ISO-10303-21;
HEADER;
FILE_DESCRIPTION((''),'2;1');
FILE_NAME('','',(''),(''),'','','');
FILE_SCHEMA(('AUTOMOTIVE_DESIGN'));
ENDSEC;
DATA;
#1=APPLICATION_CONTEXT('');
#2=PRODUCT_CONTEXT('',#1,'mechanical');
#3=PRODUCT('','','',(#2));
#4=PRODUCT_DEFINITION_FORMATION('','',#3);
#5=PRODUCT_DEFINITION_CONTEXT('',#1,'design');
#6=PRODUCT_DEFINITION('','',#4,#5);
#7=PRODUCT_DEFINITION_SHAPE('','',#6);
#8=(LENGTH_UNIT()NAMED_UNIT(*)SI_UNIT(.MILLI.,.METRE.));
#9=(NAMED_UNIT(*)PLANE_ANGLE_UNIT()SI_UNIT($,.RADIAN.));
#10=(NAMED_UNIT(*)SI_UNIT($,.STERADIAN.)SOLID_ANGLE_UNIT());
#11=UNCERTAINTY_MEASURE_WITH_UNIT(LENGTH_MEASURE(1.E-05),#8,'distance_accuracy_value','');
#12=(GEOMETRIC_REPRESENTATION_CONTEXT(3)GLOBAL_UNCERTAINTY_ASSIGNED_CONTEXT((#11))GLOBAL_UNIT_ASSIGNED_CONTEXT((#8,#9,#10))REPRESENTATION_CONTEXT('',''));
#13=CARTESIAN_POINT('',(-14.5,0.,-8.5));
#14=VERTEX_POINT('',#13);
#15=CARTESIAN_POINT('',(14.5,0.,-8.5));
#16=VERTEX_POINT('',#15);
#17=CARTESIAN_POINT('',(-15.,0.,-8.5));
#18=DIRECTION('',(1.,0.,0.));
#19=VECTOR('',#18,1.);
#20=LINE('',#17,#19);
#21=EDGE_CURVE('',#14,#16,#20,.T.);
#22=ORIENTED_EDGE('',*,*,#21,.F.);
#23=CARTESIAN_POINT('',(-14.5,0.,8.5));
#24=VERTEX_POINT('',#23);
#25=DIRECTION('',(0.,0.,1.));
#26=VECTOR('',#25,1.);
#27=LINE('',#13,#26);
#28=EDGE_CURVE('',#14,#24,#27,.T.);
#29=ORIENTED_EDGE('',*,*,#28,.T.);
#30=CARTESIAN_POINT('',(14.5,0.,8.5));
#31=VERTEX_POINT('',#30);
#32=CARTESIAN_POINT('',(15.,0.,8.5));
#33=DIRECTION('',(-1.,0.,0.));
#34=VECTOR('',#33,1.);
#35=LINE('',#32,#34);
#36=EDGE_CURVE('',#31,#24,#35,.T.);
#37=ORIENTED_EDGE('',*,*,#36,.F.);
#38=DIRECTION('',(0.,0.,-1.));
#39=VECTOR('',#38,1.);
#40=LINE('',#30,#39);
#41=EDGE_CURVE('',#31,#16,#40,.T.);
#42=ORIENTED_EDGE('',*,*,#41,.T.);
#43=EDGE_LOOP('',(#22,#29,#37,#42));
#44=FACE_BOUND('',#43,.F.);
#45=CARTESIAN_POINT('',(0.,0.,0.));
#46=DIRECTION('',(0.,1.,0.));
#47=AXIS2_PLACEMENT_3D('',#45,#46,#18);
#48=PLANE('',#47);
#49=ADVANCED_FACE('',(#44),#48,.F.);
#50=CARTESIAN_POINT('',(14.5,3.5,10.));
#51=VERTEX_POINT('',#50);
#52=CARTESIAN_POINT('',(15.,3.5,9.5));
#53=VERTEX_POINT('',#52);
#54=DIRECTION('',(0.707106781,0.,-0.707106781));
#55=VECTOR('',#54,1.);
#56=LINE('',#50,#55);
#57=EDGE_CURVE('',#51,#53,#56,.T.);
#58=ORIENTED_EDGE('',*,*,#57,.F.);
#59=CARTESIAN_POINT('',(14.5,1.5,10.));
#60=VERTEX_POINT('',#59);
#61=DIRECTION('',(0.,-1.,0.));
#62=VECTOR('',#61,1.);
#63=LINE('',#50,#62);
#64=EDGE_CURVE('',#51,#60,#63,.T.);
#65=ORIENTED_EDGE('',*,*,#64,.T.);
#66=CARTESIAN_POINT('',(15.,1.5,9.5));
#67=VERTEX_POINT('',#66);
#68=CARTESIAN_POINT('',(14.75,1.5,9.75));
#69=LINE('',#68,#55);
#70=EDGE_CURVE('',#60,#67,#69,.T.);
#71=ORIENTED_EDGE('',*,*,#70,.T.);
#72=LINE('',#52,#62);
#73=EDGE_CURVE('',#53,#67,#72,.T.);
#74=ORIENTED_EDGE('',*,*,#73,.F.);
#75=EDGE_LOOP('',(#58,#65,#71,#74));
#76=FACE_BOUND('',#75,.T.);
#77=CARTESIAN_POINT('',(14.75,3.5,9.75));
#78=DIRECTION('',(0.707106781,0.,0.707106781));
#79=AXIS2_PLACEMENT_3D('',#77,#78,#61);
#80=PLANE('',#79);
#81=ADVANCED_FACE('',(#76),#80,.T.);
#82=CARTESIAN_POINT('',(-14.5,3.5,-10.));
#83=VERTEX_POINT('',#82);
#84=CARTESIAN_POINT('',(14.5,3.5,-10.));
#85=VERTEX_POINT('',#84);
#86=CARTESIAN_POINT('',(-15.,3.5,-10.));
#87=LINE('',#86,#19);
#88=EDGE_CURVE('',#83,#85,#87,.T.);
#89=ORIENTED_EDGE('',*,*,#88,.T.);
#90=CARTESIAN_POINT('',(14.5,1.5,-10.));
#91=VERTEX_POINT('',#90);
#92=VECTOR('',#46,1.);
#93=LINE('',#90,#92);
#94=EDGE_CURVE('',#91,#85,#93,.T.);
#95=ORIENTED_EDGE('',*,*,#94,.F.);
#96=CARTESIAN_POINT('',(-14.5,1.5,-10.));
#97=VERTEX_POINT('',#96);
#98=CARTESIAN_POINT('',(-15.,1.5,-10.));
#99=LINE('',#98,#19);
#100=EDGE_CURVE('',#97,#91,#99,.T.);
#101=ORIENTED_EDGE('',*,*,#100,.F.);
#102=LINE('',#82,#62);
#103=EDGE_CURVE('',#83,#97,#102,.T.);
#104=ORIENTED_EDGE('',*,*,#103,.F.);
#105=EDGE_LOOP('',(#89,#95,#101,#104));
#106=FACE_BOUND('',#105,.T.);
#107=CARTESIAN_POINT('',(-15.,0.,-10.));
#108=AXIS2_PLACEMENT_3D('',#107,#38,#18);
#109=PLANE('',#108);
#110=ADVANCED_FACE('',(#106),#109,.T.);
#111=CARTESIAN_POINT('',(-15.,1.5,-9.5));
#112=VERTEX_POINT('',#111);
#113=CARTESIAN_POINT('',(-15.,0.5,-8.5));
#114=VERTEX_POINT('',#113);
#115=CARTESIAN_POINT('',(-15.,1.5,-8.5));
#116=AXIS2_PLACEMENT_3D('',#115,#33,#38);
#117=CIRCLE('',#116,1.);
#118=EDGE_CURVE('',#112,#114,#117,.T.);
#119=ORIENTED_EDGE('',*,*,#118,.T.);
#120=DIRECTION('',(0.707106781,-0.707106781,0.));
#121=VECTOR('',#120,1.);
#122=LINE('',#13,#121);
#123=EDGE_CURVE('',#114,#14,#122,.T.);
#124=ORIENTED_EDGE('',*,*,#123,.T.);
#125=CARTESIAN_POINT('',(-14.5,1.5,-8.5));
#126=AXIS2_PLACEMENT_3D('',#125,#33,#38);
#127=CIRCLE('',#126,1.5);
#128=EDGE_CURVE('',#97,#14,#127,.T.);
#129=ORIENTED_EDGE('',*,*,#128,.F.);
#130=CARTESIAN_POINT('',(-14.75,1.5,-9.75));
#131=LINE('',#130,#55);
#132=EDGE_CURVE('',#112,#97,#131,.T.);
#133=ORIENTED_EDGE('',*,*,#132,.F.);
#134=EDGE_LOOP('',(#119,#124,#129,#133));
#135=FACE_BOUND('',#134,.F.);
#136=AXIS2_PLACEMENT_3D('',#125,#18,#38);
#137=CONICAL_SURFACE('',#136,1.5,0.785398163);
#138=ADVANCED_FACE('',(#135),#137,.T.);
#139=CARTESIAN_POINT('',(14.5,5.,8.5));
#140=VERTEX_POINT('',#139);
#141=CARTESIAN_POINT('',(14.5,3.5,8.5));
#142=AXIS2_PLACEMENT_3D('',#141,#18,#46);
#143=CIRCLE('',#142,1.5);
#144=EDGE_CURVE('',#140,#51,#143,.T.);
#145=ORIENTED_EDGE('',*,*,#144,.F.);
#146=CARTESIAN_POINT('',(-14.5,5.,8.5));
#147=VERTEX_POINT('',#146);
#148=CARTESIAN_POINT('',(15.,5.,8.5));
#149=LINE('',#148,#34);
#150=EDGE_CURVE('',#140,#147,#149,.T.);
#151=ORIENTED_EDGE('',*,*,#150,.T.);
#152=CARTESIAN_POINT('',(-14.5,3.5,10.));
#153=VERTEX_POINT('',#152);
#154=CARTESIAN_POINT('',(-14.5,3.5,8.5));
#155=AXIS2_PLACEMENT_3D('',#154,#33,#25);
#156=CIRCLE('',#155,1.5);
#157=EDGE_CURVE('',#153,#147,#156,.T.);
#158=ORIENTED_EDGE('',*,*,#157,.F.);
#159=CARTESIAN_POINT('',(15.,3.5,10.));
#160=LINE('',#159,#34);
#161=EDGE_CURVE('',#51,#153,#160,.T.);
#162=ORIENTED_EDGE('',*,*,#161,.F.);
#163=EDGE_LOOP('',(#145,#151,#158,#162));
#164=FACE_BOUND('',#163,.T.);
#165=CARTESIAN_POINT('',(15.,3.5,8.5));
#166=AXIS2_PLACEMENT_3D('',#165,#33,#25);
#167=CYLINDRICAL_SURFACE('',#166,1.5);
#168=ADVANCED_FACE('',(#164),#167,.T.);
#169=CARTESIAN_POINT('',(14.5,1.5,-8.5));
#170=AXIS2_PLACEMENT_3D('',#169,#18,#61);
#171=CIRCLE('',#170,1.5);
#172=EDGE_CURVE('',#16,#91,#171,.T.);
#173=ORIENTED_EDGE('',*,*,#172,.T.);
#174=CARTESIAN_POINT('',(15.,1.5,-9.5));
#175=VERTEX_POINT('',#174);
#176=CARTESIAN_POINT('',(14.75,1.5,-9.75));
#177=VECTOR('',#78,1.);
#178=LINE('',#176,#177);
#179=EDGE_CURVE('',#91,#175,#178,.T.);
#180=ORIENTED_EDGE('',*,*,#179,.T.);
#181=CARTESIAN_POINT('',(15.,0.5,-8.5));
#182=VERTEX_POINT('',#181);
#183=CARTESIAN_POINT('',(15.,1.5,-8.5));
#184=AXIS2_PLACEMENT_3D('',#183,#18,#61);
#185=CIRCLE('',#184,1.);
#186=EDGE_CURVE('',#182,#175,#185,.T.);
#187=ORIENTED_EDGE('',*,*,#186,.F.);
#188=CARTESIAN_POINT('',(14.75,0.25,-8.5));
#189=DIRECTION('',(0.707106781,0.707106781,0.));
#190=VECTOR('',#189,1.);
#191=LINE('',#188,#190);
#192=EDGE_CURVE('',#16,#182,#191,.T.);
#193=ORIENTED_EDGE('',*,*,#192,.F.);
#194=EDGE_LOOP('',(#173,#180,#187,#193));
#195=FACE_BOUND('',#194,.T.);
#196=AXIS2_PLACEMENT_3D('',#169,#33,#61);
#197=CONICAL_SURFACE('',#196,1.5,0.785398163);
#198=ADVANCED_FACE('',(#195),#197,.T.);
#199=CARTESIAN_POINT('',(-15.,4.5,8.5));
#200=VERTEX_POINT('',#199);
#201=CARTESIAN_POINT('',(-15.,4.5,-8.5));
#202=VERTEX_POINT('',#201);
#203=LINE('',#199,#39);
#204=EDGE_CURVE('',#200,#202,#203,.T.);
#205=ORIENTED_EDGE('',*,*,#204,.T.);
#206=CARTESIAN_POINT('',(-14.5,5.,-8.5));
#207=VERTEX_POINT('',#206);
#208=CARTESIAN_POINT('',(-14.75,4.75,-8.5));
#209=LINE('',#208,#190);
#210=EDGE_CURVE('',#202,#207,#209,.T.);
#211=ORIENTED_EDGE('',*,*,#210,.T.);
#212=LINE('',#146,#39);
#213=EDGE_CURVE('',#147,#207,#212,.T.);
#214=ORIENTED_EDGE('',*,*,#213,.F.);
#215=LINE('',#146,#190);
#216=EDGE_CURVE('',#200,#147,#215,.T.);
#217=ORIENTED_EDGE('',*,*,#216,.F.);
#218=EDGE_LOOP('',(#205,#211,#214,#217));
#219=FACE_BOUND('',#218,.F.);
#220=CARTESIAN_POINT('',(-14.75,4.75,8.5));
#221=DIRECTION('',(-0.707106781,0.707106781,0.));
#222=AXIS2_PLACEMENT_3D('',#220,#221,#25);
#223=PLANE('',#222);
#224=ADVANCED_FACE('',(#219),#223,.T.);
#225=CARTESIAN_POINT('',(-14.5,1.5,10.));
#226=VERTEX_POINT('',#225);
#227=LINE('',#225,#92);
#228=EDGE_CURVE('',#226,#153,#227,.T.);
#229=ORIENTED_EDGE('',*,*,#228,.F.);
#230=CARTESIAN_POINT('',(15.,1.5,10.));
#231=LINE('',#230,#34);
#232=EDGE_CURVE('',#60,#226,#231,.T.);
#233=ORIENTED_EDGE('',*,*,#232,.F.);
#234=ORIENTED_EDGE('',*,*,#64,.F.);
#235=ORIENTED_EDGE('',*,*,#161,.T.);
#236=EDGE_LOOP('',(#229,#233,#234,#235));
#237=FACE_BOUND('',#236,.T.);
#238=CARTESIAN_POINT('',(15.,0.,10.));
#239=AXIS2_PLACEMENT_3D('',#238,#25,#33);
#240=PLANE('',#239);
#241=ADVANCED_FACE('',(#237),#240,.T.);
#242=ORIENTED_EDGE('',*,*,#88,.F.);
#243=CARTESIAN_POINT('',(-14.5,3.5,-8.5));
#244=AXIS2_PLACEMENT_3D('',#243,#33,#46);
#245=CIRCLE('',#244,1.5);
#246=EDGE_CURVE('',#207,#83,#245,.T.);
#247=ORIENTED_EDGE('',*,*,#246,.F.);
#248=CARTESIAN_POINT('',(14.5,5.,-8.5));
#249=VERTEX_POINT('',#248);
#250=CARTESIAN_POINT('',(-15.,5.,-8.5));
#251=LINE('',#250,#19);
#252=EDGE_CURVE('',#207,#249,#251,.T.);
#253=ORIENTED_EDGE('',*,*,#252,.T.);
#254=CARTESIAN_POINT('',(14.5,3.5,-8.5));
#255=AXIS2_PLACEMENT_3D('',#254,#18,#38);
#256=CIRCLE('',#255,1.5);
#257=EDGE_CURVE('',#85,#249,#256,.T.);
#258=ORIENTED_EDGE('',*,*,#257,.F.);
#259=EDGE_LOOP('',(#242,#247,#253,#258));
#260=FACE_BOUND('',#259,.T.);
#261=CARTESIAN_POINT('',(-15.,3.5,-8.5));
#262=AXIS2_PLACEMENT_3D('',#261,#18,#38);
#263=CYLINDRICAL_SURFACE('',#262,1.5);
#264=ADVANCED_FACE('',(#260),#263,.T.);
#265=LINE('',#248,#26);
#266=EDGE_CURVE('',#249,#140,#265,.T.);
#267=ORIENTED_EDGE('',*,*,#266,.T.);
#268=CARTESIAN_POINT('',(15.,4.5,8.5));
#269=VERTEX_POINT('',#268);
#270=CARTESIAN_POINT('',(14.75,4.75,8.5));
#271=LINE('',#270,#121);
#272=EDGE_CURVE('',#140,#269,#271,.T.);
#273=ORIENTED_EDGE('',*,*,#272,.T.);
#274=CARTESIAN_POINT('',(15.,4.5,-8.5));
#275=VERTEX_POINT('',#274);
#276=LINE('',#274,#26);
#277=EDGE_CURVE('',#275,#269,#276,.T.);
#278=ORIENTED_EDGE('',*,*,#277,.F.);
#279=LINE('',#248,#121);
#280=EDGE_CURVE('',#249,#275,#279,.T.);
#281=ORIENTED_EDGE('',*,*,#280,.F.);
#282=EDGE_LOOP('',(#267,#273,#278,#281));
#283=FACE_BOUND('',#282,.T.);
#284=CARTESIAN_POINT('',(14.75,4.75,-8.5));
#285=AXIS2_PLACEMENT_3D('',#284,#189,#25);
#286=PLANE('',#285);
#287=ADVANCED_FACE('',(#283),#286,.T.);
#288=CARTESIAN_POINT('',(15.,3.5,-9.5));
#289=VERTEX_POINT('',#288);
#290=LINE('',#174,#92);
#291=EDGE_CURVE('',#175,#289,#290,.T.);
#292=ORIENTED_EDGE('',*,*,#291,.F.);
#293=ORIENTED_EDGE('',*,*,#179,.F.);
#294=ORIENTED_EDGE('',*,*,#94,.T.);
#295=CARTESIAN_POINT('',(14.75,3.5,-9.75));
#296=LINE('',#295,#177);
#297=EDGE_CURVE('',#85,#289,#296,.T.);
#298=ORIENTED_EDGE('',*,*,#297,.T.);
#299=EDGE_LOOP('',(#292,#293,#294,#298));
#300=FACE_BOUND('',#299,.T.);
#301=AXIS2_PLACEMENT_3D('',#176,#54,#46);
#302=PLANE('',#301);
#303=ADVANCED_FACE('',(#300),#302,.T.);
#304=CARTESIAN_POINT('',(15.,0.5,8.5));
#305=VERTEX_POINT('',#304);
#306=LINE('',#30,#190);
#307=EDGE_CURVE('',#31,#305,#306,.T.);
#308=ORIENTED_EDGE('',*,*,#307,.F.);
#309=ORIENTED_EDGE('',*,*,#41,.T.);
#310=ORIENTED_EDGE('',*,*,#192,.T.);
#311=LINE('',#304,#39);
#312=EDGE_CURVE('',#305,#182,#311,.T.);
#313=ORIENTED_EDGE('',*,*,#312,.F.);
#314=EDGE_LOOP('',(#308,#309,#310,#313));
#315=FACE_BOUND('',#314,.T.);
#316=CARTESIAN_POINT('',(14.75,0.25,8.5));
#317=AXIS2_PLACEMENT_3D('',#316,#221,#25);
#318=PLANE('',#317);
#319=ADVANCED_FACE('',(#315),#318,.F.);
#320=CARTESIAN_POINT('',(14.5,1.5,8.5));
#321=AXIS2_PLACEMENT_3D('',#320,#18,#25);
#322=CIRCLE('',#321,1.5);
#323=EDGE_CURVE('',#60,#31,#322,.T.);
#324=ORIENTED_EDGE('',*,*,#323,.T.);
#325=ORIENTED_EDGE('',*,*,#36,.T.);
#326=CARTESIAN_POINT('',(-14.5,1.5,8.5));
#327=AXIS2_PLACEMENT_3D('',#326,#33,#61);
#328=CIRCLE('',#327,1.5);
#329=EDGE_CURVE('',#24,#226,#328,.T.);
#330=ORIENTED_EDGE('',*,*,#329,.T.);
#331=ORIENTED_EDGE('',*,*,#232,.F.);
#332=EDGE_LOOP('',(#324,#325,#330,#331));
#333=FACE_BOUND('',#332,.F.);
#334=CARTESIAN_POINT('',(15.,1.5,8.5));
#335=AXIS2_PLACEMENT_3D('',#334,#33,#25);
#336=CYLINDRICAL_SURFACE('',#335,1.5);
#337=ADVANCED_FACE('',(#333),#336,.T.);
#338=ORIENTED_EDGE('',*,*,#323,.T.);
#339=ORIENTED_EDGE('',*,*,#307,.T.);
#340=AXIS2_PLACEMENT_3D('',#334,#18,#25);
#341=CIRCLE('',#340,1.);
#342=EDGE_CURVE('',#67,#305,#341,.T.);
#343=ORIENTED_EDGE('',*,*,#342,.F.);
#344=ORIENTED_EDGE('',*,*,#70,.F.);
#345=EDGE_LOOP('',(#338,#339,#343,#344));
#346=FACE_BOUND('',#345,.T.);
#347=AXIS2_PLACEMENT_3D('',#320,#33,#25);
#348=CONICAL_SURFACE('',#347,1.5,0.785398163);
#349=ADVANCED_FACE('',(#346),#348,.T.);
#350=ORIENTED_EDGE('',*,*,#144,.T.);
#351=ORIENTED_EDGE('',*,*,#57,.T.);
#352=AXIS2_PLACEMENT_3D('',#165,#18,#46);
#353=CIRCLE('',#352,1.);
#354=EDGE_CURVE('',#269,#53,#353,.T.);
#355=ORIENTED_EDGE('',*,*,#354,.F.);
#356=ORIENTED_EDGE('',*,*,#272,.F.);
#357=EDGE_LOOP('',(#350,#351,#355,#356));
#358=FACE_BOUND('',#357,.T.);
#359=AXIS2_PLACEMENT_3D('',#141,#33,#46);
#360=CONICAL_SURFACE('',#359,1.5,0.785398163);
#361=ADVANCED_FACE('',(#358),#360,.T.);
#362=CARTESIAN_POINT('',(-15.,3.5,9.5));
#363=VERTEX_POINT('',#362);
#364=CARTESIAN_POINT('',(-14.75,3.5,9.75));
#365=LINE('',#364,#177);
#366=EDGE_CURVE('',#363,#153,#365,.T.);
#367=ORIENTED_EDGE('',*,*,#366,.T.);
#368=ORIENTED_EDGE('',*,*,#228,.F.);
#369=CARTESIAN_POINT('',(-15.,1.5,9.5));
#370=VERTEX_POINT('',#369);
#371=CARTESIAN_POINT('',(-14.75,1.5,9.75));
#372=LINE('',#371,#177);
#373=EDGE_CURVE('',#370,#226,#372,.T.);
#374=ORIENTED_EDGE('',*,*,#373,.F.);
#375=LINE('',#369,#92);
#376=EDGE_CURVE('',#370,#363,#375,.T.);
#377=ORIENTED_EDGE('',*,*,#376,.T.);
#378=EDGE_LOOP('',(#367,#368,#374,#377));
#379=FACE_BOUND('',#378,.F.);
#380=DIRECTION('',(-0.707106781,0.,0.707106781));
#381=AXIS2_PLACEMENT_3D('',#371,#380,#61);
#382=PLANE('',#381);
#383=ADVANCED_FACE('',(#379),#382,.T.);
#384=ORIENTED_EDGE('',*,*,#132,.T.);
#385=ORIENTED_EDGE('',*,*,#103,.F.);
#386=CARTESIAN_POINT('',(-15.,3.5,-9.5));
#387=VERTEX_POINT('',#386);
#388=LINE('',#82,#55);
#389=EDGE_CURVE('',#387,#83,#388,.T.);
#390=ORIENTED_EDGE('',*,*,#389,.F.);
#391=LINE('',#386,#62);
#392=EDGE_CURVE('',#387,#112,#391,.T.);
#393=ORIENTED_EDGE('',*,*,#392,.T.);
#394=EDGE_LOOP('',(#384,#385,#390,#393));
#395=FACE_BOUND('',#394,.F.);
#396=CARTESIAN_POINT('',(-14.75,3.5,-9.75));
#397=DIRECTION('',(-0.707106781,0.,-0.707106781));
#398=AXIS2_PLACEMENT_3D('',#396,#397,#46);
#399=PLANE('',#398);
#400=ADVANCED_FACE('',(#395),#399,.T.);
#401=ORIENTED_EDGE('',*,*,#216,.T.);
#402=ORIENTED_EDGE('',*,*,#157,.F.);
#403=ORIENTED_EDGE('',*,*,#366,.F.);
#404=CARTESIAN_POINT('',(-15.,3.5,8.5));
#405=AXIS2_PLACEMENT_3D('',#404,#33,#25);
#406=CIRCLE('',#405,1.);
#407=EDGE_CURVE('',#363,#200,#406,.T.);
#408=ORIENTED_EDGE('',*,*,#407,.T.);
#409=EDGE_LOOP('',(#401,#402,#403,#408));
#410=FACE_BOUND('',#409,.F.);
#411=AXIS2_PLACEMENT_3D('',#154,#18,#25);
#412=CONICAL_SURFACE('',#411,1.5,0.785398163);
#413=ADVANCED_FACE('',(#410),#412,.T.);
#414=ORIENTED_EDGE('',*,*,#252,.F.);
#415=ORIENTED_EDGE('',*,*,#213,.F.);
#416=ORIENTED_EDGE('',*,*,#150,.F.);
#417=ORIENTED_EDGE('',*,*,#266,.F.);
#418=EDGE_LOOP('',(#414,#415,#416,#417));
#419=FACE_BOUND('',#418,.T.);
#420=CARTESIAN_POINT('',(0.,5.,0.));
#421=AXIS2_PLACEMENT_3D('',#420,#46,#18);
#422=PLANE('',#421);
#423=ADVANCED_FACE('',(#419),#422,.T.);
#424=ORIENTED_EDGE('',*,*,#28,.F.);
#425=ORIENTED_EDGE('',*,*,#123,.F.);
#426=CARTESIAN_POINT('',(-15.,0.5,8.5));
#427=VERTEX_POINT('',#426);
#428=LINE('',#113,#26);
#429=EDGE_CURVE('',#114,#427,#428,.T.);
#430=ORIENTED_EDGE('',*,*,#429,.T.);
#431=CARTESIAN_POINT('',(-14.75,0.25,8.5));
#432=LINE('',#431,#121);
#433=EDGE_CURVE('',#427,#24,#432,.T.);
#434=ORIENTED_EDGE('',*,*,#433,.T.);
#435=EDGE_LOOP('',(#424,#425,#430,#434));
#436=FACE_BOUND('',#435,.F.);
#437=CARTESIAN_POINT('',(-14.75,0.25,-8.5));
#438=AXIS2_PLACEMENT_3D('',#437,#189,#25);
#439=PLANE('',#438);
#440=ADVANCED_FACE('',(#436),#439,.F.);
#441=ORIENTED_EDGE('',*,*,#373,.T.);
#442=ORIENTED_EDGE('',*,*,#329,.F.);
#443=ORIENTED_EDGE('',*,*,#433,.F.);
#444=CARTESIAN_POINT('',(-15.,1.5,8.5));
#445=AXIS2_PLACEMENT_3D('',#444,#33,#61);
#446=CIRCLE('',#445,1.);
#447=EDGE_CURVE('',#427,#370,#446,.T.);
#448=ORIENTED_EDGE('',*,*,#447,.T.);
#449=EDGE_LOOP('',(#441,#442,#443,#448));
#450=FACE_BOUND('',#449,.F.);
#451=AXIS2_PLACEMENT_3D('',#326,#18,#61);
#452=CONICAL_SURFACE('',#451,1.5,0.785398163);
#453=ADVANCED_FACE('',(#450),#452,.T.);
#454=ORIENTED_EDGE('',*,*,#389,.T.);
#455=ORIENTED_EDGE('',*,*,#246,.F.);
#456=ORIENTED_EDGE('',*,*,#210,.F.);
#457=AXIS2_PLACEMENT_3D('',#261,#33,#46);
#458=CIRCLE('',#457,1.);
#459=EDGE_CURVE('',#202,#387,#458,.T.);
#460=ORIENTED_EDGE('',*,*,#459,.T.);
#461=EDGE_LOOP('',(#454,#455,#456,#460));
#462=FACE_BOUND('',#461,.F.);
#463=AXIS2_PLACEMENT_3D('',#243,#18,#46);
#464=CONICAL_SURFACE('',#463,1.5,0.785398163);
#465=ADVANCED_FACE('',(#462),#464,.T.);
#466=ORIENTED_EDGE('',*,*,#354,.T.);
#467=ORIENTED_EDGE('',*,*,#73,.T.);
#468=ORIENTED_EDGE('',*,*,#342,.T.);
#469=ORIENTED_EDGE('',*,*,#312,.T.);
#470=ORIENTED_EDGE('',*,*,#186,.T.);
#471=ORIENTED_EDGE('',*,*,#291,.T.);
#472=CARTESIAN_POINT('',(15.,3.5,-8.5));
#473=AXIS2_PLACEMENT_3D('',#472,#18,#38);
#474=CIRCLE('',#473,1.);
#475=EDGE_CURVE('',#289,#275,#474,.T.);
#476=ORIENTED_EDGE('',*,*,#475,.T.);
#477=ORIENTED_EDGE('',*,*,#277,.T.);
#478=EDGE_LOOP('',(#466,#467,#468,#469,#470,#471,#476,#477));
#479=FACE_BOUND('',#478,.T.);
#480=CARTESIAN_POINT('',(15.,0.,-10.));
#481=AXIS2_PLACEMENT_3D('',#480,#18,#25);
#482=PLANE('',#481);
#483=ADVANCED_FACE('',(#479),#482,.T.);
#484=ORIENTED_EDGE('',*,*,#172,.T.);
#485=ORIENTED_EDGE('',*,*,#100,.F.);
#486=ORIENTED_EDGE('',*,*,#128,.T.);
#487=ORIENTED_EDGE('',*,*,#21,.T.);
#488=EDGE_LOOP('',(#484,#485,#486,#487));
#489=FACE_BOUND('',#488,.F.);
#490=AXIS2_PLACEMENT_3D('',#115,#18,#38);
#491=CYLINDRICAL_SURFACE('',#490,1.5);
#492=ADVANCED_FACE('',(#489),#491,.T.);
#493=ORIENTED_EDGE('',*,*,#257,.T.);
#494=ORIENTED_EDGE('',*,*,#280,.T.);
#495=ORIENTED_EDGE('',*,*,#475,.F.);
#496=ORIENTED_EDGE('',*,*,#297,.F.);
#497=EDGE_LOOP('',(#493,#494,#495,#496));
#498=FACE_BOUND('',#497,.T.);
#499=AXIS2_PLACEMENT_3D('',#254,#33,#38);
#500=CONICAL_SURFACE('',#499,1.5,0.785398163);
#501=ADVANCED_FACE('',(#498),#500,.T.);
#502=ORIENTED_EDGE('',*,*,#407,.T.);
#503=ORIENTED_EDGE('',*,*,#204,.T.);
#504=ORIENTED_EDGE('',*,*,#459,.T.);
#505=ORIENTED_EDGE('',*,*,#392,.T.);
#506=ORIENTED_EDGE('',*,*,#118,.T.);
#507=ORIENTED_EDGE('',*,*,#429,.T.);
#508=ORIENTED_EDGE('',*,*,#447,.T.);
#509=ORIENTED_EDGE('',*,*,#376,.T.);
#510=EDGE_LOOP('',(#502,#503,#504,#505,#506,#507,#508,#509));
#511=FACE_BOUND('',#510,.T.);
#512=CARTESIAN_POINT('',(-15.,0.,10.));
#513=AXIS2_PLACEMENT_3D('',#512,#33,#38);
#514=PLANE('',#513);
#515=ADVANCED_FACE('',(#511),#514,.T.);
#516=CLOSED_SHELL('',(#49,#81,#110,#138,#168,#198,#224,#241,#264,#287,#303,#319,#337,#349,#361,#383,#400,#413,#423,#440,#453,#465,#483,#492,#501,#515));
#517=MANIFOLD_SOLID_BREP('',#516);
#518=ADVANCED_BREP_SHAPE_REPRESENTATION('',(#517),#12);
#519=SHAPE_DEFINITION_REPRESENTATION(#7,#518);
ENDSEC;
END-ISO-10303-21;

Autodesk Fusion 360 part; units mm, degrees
sketch "Sketch1" plane through (0, 0, 0) normal (0, 1, 0) x (1, 0, 0)
  line L0 (-15, 10) -> (15, 10)
  line L1 (15, 10) -> (15, -10)
  line L2 (15, -10) -> (-15, -10)
  line L3 (-15, -10) -> (-15, 10)
  line L4 (-15, 10) -> (15, -10) construction
  line L5 (15, 10) -> (-15, -10) construction
  dimension "d1" = 30
  dimension "d2" = 20
extrude "Extrude1" add sketch "Sketch1" along normal blind 5
fillet "Fillet1" radius 1.5 4 edges at (0, 5, 10) (0, 0, 10) (0, 5, -10) (0, 0, -10)
chamfer "Chamfer1" distance 0.5 angle 45 16 edges at (-15, 2.5, 10) (-15, 0.4393, 9.5607) (-15, 0, 0) (-15, 0.4393, -9.5607) (-15, 2.5, -10) (-15, 4.5607, -9.5607) (-15, 5, 0) (-15, 4.5607, 9.5607) (15, 2.5, -10) (15, 0.4393, -9.5607) (15, 0, 0) (15, 0.4393, 9.5607) (15, 2.5, 10) (15, 4.5607, 9.5607) (15, 5, 0) (15, 4.5607, -9.5607)
